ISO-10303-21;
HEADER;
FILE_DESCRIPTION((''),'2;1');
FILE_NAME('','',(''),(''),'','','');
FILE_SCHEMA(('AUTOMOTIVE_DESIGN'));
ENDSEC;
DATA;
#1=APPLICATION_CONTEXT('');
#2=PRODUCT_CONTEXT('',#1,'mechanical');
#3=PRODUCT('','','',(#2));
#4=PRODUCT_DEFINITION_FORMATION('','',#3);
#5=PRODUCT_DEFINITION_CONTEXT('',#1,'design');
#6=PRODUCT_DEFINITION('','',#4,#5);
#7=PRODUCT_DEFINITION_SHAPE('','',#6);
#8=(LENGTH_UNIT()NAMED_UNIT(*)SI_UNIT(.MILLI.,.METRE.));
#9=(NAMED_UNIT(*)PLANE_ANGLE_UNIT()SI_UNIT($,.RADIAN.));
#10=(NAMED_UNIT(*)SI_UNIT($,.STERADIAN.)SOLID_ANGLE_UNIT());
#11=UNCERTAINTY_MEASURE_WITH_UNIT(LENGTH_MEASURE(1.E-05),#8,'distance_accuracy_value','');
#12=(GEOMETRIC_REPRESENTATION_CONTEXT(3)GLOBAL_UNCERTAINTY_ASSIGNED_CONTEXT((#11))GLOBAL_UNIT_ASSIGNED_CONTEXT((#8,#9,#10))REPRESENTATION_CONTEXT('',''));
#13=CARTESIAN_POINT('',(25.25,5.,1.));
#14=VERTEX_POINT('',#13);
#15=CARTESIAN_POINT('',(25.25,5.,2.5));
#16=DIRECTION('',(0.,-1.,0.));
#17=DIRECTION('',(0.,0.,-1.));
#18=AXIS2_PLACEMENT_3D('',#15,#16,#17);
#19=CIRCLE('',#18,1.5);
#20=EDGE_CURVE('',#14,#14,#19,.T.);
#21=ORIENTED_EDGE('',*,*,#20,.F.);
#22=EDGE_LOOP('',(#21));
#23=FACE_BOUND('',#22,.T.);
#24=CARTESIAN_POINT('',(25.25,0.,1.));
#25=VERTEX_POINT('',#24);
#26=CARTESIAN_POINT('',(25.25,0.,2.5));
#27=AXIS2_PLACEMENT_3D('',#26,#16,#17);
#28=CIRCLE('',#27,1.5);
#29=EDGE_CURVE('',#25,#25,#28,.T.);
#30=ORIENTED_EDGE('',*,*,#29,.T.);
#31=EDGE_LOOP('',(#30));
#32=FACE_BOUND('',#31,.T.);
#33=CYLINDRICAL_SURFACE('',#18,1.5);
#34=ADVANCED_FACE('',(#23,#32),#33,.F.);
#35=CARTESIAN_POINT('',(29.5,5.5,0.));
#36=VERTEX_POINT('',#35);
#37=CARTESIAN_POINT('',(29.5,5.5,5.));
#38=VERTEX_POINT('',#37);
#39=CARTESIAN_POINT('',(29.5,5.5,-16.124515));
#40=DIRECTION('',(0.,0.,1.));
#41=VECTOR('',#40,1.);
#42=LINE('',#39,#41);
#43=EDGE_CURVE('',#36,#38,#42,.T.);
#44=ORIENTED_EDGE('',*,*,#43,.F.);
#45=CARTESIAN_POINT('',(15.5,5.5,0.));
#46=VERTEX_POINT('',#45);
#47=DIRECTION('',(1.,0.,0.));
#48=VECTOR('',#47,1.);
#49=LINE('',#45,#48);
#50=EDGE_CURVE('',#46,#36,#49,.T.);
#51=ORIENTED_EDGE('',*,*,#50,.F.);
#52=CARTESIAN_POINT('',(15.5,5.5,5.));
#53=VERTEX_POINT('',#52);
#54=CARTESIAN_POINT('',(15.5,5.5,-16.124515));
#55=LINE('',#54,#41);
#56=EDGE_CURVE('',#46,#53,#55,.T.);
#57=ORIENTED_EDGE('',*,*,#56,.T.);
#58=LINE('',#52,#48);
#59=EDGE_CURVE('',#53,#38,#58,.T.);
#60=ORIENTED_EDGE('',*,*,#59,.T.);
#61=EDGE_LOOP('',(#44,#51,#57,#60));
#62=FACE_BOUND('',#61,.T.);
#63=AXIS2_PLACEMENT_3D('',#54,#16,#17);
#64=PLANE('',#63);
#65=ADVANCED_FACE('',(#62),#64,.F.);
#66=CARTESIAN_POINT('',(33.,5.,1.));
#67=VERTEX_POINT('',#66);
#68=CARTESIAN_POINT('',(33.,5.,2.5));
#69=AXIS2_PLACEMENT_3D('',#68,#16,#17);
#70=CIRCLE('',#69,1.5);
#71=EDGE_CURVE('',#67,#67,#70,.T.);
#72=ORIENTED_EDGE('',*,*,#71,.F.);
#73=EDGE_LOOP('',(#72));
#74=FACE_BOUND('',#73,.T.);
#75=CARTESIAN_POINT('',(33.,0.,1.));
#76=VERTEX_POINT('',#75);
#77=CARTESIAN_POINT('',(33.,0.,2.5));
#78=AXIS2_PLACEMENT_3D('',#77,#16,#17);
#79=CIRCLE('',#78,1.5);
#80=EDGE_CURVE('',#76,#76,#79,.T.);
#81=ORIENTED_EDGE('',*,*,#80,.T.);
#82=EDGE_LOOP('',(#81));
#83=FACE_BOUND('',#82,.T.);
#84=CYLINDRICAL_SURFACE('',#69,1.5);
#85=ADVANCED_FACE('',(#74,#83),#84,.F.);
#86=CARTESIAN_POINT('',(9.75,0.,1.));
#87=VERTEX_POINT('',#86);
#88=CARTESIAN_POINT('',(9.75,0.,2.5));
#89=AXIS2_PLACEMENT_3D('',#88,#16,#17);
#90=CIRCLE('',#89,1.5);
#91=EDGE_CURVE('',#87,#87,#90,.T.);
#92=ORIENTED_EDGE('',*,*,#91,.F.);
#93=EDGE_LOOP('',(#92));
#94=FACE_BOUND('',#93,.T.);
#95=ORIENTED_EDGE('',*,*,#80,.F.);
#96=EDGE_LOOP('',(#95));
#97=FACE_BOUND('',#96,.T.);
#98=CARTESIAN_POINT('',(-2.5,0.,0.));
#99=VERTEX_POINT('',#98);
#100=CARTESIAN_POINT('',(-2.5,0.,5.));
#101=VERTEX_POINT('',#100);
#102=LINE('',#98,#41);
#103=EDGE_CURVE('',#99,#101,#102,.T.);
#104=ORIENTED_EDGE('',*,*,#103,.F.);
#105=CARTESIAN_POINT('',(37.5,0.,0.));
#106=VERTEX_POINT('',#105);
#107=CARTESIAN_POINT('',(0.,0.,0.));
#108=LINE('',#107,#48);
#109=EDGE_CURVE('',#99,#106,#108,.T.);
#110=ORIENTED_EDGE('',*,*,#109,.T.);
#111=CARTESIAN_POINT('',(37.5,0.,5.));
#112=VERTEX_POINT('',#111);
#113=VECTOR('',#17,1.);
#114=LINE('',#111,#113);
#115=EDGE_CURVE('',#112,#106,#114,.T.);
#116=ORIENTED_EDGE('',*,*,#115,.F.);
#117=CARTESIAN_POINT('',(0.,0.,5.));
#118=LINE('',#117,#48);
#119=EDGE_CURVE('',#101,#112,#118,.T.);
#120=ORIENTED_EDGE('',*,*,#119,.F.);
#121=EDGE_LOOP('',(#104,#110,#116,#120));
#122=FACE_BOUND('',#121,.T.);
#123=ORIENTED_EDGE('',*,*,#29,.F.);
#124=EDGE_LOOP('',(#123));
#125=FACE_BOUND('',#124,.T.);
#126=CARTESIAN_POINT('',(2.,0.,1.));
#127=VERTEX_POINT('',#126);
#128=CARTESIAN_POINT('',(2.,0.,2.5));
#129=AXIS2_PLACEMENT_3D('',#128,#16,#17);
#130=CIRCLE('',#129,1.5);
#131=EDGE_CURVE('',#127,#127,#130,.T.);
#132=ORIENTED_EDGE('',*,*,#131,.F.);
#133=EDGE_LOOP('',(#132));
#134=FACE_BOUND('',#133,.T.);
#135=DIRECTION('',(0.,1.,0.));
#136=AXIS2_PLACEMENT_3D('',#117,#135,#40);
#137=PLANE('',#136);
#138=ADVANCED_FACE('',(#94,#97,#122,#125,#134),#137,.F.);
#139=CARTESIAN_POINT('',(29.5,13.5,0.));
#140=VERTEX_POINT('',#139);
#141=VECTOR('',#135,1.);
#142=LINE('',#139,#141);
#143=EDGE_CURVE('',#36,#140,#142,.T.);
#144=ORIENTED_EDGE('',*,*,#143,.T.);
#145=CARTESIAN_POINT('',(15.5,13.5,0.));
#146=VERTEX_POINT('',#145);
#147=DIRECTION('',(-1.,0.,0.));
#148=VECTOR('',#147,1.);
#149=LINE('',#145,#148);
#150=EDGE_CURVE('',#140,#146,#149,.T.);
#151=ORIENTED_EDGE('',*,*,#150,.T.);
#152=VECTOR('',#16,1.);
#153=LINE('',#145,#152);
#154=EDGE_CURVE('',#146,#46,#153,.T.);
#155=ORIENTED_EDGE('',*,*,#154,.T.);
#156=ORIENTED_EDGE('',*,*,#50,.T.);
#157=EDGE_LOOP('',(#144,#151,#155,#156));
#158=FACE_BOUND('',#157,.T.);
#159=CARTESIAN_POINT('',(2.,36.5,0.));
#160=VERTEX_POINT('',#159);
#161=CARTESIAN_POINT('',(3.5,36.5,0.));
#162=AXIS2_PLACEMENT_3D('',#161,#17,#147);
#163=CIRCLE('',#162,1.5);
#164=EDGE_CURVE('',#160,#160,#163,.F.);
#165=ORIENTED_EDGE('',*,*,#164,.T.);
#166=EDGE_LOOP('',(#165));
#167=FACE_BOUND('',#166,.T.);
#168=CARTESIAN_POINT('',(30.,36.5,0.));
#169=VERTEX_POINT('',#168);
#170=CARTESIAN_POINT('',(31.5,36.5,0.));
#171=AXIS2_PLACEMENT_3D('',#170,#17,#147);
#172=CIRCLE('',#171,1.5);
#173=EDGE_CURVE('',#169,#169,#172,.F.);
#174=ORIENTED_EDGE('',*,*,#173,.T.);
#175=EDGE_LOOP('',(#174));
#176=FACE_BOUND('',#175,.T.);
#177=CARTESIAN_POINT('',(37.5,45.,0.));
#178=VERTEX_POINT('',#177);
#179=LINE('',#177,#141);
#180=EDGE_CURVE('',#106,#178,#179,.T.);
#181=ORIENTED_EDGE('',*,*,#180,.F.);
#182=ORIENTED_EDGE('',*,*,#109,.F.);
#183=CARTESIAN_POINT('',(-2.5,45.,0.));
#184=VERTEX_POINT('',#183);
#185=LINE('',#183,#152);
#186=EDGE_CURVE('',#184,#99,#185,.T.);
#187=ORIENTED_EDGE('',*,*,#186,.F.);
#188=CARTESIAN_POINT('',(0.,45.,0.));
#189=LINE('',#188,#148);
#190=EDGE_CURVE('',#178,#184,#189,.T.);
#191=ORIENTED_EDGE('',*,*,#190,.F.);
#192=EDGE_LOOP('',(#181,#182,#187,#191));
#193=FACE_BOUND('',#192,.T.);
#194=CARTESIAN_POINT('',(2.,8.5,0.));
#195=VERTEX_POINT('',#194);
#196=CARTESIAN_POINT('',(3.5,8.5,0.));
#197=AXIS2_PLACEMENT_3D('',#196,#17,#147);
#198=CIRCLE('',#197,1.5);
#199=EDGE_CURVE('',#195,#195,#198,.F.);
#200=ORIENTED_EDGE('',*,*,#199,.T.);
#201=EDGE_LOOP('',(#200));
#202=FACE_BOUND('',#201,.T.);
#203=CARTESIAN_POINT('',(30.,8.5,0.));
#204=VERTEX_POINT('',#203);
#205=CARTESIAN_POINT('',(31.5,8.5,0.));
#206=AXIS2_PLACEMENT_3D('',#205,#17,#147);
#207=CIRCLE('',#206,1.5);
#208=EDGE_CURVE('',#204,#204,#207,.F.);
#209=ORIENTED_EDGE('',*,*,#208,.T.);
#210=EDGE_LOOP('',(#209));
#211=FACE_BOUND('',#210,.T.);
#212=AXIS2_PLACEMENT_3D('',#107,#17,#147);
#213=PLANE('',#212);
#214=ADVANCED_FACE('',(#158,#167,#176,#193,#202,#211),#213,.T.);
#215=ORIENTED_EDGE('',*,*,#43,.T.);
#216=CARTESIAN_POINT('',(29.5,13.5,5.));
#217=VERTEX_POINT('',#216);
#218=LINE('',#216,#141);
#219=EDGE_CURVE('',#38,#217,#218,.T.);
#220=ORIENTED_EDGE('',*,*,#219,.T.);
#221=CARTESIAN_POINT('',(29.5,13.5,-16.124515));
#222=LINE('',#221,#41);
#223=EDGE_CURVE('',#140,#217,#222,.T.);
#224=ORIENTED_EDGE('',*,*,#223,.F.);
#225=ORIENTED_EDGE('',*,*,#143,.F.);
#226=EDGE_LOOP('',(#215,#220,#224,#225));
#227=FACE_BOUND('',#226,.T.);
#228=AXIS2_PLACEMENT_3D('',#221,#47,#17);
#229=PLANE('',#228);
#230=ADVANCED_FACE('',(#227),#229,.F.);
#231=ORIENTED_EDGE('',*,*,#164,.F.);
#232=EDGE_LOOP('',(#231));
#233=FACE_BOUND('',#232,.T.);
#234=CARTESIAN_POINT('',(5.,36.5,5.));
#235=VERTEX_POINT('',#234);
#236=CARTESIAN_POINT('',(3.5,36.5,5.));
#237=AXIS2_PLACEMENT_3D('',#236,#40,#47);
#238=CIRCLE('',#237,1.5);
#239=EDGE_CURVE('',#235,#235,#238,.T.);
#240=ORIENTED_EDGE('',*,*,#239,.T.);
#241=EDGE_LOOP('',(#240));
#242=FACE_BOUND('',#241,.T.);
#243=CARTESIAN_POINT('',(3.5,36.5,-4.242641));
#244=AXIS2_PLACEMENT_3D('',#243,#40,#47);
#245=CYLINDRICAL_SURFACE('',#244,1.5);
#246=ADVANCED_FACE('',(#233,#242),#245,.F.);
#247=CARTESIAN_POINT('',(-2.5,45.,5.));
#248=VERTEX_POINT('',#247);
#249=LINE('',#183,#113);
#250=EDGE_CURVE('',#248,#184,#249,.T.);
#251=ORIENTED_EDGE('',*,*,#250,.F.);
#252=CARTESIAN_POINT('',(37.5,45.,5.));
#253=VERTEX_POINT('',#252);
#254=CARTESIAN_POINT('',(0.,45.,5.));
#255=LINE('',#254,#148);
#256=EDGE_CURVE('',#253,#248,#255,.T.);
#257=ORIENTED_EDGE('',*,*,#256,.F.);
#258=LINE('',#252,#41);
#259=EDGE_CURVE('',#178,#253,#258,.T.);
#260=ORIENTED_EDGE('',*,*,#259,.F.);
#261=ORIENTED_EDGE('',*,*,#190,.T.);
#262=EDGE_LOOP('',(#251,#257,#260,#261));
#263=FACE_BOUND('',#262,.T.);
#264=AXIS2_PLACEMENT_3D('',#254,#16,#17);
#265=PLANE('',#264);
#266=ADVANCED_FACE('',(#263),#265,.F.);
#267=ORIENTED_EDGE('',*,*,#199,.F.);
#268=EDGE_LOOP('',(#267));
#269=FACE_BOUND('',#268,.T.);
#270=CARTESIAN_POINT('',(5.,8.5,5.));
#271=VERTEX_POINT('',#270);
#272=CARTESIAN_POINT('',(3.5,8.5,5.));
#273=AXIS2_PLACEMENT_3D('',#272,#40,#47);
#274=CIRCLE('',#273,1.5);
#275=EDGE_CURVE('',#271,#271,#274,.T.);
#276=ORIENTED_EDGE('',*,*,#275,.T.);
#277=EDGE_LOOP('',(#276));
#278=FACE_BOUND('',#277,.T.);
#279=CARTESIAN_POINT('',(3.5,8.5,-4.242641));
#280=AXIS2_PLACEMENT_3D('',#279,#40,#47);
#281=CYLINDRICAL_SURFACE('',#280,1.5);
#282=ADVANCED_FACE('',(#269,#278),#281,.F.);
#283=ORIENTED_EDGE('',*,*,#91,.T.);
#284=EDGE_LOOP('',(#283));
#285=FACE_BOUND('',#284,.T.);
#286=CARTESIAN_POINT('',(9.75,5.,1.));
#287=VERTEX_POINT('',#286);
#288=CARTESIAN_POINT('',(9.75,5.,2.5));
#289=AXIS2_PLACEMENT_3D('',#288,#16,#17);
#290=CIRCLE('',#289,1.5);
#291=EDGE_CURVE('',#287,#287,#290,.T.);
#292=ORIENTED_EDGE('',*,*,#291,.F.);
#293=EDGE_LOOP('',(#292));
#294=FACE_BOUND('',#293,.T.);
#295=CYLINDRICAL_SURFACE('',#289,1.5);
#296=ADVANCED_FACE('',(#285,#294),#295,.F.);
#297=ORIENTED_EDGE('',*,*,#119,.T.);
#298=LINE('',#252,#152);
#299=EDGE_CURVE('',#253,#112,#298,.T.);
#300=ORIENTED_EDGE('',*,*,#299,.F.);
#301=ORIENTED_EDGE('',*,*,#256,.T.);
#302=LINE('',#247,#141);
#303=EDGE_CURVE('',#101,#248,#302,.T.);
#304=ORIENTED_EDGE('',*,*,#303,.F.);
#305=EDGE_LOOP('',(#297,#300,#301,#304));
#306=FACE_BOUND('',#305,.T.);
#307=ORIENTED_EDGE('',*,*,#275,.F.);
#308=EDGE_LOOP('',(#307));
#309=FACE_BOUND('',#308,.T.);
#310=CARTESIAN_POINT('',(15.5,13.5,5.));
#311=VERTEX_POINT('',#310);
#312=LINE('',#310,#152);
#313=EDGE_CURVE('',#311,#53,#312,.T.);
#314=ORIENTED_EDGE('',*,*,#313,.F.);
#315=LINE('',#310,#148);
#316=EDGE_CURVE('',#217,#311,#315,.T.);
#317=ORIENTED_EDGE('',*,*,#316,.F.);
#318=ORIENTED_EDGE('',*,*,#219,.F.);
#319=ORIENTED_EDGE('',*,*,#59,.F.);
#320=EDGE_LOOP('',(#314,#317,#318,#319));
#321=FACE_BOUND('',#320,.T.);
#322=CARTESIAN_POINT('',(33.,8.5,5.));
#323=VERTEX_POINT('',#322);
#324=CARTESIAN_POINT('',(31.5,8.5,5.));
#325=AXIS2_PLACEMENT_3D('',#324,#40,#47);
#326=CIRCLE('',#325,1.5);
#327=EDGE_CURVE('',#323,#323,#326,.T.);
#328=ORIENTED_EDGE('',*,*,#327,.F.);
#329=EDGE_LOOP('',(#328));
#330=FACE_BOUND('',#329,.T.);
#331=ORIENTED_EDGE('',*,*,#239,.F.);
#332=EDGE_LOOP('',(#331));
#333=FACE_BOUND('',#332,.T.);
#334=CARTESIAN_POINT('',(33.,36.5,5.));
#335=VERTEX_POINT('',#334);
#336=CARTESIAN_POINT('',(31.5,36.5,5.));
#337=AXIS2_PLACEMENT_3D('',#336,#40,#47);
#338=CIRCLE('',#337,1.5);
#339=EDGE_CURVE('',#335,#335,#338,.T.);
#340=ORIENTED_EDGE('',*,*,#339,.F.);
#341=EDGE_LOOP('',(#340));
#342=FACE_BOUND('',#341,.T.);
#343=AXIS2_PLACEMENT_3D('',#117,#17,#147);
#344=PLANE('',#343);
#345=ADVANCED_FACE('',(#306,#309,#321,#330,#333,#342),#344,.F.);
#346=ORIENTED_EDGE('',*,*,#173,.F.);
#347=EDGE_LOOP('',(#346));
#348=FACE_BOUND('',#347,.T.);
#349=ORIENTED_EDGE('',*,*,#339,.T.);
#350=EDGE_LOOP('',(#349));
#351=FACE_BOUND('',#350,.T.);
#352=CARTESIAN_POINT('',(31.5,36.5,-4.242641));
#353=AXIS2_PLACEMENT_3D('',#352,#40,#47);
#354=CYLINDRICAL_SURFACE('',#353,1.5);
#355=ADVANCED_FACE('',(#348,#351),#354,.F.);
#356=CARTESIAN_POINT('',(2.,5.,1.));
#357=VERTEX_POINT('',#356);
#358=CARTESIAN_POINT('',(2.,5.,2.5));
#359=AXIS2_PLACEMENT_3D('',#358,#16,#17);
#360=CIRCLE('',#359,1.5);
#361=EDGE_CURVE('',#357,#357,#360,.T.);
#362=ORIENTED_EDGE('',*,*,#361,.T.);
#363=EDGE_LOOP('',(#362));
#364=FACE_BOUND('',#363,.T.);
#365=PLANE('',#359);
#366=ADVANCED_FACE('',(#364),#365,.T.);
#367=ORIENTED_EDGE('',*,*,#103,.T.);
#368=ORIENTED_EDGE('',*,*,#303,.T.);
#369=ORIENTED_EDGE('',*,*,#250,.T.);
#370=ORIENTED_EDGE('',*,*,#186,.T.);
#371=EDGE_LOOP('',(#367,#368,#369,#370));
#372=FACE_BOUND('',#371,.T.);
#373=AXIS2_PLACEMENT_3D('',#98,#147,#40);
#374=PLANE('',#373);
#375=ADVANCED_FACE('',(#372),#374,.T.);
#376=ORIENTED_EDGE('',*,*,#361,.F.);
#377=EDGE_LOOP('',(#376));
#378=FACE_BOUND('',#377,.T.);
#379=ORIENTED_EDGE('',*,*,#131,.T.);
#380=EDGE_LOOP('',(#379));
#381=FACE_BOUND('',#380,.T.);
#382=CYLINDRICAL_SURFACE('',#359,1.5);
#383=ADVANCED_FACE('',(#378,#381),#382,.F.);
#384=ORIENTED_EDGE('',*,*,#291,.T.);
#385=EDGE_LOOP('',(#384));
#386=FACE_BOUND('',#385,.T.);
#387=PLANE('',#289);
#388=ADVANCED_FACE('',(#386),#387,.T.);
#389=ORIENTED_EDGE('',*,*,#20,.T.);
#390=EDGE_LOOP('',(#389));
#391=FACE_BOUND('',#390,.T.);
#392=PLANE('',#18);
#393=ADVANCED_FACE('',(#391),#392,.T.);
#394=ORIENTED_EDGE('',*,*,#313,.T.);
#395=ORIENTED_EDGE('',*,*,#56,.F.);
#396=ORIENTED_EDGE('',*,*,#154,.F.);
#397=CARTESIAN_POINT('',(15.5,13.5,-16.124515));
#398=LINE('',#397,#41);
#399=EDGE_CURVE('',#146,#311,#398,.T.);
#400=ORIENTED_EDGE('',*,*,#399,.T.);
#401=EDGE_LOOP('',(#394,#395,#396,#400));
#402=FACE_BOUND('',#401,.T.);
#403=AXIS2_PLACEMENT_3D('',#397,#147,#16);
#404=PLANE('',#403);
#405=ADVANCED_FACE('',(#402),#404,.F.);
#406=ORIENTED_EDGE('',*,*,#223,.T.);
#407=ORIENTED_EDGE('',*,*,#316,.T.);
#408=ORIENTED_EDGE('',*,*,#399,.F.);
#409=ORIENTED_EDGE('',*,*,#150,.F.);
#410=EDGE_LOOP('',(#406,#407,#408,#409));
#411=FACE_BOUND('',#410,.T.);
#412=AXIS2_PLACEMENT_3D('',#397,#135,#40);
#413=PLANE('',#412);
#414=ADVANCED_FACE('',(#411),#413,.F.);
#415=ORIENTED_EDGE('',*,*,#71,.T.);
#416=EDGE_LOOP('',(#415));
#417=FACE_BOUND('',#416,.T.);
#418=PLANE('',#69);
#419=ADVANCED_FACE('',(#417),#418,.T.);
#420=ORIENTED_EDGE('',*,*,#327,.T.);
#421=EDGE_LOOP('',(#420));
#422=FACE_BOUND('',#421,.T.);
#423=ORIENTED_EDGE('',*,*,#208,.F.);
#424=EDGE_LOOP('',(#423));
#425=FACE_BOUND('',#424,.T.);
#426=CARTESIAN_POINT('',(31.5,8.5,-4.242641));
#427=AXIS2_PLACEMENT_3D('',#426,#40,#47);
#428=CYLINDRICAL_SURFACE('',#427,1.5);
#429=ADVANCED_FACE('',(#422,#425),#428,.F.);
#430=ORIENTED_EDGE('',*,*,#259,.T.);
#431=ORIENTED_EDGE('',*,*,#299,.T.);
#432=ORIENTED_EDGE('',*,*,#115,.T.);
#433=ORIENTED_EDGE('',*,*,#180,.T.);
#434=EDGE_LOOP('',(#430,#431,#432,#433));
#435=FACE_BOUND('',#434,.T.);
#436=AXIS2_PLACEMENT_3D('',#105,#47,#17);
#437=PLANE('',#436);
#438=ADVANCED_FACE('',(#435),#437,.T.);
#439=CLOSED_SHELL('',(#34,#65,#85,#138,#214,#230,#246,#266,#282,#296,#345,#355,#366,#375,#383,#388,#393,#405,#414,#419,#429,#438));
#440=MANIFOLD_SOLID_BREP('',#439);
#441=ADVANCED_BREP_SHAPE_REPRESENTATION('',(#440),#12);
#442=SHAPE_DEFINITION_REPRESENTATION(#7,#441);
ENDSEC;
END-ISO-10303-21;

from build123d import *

# Parameters (mm, degrees)
SKETCH1_W           = 35
SKETCH1_H           = 45
BOSS_EXTRUDE1_DEPTH = 5
SKETCH2_R           = 1.5
CUT_EXTRUDE1_DEPTH  = 5
SKETCH4_W           = 5
SKETCH4_H           = 45
BOSS_EXTRUDE2_DEPTH = 2.5
SKETCH5_W           = 5
SKETCH5_H           = 45
BOSS_EXTRUDE3_DEPTH = 2.5
SKETCH6_R           = 1.5
CUT_EXTRUDE2_DEPTH  = 5
SKETCH7_W           = 14
SKETCH7_H           = 8
CUT_EXTRUDE3_DEPTH  = 5


with BuildPart() as part:
    # Sketch1 → Boss-Extrude1 (new body)
    with BuildSketch(Plane.XY):
        with Locations((17.5, 22.5)):
            Rectangle(SKETCH1_W, SKETCH1_H)
    extrude(amount=BOSS_EXTRUDE1_DEPTH)

    # Sketch2 → Cut-Extrude1 (cut)
    with BuildSketch(Plane.XZ):
        with Locations(Location((2, 2.5, 0), (0, 0, 270))):
            Circle(SKETCH2_R)
        with Locations(Location((33, 2.5, 0), (0, 0, 270))):
            Circle(SKETCH2_R)
        with Locations(Location((9.75, 2.5, 0), (0, 0, 270))):
            Circle(SKETCH2_R)
        with Locations(Location((25.25, 2.5, 0), (0, 0, 270))):
            Circle(SKETCH2_R)
    extrude(amount=-CUT_EXTRUDE1_DEPTH, mode=Mode.SUBTRACT)

    # Sketch4 → Boss-Extrude2 (add)
    with BuildSketch(Plane(origin=(35, 0, 0), x_dir=(0, 0, -1), z_dir=(1, 0, 0))):
        with Locations((-2.5, 22.5)):
            Rectangle(SKETCH4_W, SKETCH4_H)
    extrude(amount=BOSS_EXTRUDE2_DEPTH)

    # Sketch5 → Boss-Extrude3 (add)
    with BuildSketch(Plane.ZY):
        with Locations((2.5, 22.5)):
            Rectangle(SKETCH5_W, SKETCH5_H)
    extrude(amount=BOSS_EXTRUDE3_DEPTH)

    # Sketch6 → Cut-Extrude2 (cut)
    with BuildSketch(Plane.XY.offset(5)):
        with Locations((3.5, 36.5)):
            Circle(SKETCH6_R)
        with Locations((31.5, 8.5)):
            Circle(SKETCH6_R)
        with Locations((31.5, 36.5)):
            Circle(SKETCH6_R)
        with Locations((3.5, 8.5)):
            Circle(SKETCH6_R)
    extrude(amount=-CUT_EXTRUDE2_DEPTH, mode=Mode.SUBTRACT)

    # Sketch7 → Cut-Extrude3 (cut)
    with BuildSketch(Plane.XY.offset(5)):
        with Locations((22.5, 9.5)):
            Rectangle(SKETCH7_W, SKETCH7_H)
    extrude(amount=-CUT_EXTRUDE3_DEPTH, mode=Mode.SUBTRACT)


solid = part.part
